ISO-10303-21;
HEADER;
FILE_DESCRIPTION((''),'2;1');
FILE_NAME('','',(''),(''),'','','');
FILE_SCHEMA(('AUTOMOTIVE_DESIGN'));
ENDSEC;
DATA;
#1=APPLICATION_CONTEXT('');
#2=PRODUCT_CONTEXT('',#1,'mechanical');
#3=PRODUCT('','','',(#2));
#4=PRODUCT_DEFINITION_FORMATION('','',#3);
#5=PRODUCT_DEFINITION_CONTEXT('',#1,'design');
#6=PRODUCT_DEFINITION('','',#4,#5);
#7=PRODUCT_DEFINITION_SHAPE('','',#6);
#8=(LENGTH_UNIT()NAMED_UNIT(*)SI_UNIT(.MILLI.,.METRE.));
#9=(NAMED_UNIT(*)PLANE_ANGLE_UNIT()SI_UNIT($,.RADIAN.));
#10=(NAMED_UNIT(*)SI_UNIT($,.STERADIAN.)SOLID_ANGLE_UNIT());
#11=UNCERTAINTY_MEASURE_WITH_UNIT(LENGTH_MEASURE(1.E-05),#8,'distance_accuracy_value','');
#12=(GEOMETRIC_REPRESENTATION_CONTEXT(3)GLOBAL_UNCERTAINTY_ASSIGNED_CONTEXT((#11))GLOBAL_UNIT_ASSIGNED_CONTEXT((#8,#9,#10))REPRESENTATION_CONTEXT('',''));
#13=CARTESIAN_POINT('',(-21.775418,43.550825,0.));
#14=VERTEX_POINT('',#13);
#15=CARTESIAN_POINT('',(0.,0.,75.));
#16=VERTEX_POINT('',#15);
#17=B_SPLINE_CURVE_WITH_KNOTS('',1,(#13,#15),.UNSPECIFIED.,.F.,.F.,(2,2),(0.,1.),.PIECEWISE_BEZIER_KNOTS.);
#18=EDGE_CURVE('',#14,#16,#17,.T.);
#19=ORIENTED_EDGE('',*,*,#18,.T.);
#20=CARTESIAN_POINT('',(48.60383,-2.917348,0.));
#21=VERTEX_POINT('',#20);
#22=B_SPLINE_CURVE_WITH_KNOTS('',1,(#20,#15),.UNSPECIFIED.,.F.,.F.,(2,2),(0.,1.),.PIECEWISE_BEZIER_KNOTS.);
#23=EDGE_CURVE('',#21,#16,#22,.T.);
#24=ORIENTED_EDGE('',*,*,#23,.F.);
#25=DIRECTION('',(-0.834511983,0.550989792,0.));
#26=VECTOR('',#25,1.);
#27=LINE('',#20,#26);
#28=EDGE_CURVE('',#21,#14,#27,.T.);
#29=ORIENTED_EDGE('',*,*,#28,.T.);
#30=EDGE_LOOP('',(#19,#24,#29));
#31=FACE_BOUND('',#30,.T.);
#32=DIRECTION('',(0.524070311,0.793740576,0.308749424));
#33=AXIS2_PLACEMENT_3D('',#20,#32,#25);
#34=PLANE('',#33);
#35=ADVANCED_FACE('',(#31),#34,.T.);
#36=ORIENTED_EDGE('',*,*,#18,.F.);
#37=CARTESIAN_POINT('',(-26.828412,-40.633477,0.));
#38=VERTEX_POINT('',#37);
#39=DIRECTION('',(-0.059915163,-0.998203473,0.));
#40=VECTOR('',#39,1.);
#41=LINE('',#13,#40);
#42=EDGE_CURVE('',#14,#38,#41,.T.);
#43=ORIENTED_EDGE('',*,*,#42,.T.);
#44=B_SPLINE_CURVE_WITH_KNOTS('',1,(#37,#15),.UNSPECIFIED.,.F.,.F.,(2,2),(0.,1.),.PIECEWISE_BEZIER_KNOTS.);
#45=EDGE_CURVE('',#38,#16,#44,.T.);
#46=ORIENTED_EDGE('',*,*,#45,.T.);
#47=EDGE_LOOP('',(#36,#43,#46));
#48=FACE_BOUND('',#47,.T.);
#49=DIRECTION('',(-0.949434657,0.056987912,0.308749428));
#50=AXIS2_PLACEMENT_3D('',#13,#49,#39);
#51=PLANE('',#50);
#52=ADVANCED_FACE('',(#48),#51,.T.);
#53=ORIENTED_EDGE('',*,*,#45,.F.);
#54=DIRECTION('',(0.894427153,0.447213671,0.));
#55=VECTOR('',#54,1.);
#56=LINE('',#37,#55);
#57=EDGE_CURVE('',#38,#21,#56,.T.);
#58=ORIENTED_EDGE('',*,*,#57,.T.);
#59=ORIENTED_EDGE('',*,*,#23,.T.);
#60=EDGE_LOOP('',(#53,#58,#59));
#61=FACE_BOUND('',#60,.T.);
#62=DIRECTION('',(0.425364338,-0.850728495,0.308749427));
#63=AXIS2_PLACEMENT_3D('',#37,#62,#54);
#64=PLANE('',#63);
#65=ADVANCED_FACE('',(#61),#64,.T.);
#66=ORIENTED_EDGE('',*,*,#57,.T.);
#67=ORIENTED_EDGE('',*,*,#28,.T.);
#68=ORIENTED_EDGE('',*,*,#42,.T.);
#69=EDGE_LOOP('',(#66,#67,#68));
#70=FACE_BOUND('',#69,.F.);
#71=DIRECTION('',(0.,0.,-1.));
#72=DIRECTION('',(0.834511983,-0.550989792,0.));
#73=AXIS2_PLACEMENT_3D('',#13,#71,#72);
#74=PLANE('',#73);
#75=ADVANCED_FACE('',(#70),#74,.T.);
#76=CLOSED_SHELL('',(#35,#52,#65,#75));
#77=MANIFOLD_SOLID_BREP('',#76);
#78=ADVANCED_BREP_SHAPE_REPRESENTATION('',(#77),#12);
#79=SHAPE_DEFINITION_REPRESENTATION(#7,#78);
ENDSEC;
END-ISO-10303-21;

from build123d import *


with BuildPart() as f3:
    # F0 (on Top) → F3 section 0
    with BuildSketch(Plane.XY, mode=Mode.PRIVATE) as f3_s0:
        Polygon((-21.775418, 43.550825), (-26.828412, -40.633477), (48.60383, -2.917348), align=None)
    loft([f3_s0.sketch, Vertex(0, 0, 75)])


solid = f3.part
